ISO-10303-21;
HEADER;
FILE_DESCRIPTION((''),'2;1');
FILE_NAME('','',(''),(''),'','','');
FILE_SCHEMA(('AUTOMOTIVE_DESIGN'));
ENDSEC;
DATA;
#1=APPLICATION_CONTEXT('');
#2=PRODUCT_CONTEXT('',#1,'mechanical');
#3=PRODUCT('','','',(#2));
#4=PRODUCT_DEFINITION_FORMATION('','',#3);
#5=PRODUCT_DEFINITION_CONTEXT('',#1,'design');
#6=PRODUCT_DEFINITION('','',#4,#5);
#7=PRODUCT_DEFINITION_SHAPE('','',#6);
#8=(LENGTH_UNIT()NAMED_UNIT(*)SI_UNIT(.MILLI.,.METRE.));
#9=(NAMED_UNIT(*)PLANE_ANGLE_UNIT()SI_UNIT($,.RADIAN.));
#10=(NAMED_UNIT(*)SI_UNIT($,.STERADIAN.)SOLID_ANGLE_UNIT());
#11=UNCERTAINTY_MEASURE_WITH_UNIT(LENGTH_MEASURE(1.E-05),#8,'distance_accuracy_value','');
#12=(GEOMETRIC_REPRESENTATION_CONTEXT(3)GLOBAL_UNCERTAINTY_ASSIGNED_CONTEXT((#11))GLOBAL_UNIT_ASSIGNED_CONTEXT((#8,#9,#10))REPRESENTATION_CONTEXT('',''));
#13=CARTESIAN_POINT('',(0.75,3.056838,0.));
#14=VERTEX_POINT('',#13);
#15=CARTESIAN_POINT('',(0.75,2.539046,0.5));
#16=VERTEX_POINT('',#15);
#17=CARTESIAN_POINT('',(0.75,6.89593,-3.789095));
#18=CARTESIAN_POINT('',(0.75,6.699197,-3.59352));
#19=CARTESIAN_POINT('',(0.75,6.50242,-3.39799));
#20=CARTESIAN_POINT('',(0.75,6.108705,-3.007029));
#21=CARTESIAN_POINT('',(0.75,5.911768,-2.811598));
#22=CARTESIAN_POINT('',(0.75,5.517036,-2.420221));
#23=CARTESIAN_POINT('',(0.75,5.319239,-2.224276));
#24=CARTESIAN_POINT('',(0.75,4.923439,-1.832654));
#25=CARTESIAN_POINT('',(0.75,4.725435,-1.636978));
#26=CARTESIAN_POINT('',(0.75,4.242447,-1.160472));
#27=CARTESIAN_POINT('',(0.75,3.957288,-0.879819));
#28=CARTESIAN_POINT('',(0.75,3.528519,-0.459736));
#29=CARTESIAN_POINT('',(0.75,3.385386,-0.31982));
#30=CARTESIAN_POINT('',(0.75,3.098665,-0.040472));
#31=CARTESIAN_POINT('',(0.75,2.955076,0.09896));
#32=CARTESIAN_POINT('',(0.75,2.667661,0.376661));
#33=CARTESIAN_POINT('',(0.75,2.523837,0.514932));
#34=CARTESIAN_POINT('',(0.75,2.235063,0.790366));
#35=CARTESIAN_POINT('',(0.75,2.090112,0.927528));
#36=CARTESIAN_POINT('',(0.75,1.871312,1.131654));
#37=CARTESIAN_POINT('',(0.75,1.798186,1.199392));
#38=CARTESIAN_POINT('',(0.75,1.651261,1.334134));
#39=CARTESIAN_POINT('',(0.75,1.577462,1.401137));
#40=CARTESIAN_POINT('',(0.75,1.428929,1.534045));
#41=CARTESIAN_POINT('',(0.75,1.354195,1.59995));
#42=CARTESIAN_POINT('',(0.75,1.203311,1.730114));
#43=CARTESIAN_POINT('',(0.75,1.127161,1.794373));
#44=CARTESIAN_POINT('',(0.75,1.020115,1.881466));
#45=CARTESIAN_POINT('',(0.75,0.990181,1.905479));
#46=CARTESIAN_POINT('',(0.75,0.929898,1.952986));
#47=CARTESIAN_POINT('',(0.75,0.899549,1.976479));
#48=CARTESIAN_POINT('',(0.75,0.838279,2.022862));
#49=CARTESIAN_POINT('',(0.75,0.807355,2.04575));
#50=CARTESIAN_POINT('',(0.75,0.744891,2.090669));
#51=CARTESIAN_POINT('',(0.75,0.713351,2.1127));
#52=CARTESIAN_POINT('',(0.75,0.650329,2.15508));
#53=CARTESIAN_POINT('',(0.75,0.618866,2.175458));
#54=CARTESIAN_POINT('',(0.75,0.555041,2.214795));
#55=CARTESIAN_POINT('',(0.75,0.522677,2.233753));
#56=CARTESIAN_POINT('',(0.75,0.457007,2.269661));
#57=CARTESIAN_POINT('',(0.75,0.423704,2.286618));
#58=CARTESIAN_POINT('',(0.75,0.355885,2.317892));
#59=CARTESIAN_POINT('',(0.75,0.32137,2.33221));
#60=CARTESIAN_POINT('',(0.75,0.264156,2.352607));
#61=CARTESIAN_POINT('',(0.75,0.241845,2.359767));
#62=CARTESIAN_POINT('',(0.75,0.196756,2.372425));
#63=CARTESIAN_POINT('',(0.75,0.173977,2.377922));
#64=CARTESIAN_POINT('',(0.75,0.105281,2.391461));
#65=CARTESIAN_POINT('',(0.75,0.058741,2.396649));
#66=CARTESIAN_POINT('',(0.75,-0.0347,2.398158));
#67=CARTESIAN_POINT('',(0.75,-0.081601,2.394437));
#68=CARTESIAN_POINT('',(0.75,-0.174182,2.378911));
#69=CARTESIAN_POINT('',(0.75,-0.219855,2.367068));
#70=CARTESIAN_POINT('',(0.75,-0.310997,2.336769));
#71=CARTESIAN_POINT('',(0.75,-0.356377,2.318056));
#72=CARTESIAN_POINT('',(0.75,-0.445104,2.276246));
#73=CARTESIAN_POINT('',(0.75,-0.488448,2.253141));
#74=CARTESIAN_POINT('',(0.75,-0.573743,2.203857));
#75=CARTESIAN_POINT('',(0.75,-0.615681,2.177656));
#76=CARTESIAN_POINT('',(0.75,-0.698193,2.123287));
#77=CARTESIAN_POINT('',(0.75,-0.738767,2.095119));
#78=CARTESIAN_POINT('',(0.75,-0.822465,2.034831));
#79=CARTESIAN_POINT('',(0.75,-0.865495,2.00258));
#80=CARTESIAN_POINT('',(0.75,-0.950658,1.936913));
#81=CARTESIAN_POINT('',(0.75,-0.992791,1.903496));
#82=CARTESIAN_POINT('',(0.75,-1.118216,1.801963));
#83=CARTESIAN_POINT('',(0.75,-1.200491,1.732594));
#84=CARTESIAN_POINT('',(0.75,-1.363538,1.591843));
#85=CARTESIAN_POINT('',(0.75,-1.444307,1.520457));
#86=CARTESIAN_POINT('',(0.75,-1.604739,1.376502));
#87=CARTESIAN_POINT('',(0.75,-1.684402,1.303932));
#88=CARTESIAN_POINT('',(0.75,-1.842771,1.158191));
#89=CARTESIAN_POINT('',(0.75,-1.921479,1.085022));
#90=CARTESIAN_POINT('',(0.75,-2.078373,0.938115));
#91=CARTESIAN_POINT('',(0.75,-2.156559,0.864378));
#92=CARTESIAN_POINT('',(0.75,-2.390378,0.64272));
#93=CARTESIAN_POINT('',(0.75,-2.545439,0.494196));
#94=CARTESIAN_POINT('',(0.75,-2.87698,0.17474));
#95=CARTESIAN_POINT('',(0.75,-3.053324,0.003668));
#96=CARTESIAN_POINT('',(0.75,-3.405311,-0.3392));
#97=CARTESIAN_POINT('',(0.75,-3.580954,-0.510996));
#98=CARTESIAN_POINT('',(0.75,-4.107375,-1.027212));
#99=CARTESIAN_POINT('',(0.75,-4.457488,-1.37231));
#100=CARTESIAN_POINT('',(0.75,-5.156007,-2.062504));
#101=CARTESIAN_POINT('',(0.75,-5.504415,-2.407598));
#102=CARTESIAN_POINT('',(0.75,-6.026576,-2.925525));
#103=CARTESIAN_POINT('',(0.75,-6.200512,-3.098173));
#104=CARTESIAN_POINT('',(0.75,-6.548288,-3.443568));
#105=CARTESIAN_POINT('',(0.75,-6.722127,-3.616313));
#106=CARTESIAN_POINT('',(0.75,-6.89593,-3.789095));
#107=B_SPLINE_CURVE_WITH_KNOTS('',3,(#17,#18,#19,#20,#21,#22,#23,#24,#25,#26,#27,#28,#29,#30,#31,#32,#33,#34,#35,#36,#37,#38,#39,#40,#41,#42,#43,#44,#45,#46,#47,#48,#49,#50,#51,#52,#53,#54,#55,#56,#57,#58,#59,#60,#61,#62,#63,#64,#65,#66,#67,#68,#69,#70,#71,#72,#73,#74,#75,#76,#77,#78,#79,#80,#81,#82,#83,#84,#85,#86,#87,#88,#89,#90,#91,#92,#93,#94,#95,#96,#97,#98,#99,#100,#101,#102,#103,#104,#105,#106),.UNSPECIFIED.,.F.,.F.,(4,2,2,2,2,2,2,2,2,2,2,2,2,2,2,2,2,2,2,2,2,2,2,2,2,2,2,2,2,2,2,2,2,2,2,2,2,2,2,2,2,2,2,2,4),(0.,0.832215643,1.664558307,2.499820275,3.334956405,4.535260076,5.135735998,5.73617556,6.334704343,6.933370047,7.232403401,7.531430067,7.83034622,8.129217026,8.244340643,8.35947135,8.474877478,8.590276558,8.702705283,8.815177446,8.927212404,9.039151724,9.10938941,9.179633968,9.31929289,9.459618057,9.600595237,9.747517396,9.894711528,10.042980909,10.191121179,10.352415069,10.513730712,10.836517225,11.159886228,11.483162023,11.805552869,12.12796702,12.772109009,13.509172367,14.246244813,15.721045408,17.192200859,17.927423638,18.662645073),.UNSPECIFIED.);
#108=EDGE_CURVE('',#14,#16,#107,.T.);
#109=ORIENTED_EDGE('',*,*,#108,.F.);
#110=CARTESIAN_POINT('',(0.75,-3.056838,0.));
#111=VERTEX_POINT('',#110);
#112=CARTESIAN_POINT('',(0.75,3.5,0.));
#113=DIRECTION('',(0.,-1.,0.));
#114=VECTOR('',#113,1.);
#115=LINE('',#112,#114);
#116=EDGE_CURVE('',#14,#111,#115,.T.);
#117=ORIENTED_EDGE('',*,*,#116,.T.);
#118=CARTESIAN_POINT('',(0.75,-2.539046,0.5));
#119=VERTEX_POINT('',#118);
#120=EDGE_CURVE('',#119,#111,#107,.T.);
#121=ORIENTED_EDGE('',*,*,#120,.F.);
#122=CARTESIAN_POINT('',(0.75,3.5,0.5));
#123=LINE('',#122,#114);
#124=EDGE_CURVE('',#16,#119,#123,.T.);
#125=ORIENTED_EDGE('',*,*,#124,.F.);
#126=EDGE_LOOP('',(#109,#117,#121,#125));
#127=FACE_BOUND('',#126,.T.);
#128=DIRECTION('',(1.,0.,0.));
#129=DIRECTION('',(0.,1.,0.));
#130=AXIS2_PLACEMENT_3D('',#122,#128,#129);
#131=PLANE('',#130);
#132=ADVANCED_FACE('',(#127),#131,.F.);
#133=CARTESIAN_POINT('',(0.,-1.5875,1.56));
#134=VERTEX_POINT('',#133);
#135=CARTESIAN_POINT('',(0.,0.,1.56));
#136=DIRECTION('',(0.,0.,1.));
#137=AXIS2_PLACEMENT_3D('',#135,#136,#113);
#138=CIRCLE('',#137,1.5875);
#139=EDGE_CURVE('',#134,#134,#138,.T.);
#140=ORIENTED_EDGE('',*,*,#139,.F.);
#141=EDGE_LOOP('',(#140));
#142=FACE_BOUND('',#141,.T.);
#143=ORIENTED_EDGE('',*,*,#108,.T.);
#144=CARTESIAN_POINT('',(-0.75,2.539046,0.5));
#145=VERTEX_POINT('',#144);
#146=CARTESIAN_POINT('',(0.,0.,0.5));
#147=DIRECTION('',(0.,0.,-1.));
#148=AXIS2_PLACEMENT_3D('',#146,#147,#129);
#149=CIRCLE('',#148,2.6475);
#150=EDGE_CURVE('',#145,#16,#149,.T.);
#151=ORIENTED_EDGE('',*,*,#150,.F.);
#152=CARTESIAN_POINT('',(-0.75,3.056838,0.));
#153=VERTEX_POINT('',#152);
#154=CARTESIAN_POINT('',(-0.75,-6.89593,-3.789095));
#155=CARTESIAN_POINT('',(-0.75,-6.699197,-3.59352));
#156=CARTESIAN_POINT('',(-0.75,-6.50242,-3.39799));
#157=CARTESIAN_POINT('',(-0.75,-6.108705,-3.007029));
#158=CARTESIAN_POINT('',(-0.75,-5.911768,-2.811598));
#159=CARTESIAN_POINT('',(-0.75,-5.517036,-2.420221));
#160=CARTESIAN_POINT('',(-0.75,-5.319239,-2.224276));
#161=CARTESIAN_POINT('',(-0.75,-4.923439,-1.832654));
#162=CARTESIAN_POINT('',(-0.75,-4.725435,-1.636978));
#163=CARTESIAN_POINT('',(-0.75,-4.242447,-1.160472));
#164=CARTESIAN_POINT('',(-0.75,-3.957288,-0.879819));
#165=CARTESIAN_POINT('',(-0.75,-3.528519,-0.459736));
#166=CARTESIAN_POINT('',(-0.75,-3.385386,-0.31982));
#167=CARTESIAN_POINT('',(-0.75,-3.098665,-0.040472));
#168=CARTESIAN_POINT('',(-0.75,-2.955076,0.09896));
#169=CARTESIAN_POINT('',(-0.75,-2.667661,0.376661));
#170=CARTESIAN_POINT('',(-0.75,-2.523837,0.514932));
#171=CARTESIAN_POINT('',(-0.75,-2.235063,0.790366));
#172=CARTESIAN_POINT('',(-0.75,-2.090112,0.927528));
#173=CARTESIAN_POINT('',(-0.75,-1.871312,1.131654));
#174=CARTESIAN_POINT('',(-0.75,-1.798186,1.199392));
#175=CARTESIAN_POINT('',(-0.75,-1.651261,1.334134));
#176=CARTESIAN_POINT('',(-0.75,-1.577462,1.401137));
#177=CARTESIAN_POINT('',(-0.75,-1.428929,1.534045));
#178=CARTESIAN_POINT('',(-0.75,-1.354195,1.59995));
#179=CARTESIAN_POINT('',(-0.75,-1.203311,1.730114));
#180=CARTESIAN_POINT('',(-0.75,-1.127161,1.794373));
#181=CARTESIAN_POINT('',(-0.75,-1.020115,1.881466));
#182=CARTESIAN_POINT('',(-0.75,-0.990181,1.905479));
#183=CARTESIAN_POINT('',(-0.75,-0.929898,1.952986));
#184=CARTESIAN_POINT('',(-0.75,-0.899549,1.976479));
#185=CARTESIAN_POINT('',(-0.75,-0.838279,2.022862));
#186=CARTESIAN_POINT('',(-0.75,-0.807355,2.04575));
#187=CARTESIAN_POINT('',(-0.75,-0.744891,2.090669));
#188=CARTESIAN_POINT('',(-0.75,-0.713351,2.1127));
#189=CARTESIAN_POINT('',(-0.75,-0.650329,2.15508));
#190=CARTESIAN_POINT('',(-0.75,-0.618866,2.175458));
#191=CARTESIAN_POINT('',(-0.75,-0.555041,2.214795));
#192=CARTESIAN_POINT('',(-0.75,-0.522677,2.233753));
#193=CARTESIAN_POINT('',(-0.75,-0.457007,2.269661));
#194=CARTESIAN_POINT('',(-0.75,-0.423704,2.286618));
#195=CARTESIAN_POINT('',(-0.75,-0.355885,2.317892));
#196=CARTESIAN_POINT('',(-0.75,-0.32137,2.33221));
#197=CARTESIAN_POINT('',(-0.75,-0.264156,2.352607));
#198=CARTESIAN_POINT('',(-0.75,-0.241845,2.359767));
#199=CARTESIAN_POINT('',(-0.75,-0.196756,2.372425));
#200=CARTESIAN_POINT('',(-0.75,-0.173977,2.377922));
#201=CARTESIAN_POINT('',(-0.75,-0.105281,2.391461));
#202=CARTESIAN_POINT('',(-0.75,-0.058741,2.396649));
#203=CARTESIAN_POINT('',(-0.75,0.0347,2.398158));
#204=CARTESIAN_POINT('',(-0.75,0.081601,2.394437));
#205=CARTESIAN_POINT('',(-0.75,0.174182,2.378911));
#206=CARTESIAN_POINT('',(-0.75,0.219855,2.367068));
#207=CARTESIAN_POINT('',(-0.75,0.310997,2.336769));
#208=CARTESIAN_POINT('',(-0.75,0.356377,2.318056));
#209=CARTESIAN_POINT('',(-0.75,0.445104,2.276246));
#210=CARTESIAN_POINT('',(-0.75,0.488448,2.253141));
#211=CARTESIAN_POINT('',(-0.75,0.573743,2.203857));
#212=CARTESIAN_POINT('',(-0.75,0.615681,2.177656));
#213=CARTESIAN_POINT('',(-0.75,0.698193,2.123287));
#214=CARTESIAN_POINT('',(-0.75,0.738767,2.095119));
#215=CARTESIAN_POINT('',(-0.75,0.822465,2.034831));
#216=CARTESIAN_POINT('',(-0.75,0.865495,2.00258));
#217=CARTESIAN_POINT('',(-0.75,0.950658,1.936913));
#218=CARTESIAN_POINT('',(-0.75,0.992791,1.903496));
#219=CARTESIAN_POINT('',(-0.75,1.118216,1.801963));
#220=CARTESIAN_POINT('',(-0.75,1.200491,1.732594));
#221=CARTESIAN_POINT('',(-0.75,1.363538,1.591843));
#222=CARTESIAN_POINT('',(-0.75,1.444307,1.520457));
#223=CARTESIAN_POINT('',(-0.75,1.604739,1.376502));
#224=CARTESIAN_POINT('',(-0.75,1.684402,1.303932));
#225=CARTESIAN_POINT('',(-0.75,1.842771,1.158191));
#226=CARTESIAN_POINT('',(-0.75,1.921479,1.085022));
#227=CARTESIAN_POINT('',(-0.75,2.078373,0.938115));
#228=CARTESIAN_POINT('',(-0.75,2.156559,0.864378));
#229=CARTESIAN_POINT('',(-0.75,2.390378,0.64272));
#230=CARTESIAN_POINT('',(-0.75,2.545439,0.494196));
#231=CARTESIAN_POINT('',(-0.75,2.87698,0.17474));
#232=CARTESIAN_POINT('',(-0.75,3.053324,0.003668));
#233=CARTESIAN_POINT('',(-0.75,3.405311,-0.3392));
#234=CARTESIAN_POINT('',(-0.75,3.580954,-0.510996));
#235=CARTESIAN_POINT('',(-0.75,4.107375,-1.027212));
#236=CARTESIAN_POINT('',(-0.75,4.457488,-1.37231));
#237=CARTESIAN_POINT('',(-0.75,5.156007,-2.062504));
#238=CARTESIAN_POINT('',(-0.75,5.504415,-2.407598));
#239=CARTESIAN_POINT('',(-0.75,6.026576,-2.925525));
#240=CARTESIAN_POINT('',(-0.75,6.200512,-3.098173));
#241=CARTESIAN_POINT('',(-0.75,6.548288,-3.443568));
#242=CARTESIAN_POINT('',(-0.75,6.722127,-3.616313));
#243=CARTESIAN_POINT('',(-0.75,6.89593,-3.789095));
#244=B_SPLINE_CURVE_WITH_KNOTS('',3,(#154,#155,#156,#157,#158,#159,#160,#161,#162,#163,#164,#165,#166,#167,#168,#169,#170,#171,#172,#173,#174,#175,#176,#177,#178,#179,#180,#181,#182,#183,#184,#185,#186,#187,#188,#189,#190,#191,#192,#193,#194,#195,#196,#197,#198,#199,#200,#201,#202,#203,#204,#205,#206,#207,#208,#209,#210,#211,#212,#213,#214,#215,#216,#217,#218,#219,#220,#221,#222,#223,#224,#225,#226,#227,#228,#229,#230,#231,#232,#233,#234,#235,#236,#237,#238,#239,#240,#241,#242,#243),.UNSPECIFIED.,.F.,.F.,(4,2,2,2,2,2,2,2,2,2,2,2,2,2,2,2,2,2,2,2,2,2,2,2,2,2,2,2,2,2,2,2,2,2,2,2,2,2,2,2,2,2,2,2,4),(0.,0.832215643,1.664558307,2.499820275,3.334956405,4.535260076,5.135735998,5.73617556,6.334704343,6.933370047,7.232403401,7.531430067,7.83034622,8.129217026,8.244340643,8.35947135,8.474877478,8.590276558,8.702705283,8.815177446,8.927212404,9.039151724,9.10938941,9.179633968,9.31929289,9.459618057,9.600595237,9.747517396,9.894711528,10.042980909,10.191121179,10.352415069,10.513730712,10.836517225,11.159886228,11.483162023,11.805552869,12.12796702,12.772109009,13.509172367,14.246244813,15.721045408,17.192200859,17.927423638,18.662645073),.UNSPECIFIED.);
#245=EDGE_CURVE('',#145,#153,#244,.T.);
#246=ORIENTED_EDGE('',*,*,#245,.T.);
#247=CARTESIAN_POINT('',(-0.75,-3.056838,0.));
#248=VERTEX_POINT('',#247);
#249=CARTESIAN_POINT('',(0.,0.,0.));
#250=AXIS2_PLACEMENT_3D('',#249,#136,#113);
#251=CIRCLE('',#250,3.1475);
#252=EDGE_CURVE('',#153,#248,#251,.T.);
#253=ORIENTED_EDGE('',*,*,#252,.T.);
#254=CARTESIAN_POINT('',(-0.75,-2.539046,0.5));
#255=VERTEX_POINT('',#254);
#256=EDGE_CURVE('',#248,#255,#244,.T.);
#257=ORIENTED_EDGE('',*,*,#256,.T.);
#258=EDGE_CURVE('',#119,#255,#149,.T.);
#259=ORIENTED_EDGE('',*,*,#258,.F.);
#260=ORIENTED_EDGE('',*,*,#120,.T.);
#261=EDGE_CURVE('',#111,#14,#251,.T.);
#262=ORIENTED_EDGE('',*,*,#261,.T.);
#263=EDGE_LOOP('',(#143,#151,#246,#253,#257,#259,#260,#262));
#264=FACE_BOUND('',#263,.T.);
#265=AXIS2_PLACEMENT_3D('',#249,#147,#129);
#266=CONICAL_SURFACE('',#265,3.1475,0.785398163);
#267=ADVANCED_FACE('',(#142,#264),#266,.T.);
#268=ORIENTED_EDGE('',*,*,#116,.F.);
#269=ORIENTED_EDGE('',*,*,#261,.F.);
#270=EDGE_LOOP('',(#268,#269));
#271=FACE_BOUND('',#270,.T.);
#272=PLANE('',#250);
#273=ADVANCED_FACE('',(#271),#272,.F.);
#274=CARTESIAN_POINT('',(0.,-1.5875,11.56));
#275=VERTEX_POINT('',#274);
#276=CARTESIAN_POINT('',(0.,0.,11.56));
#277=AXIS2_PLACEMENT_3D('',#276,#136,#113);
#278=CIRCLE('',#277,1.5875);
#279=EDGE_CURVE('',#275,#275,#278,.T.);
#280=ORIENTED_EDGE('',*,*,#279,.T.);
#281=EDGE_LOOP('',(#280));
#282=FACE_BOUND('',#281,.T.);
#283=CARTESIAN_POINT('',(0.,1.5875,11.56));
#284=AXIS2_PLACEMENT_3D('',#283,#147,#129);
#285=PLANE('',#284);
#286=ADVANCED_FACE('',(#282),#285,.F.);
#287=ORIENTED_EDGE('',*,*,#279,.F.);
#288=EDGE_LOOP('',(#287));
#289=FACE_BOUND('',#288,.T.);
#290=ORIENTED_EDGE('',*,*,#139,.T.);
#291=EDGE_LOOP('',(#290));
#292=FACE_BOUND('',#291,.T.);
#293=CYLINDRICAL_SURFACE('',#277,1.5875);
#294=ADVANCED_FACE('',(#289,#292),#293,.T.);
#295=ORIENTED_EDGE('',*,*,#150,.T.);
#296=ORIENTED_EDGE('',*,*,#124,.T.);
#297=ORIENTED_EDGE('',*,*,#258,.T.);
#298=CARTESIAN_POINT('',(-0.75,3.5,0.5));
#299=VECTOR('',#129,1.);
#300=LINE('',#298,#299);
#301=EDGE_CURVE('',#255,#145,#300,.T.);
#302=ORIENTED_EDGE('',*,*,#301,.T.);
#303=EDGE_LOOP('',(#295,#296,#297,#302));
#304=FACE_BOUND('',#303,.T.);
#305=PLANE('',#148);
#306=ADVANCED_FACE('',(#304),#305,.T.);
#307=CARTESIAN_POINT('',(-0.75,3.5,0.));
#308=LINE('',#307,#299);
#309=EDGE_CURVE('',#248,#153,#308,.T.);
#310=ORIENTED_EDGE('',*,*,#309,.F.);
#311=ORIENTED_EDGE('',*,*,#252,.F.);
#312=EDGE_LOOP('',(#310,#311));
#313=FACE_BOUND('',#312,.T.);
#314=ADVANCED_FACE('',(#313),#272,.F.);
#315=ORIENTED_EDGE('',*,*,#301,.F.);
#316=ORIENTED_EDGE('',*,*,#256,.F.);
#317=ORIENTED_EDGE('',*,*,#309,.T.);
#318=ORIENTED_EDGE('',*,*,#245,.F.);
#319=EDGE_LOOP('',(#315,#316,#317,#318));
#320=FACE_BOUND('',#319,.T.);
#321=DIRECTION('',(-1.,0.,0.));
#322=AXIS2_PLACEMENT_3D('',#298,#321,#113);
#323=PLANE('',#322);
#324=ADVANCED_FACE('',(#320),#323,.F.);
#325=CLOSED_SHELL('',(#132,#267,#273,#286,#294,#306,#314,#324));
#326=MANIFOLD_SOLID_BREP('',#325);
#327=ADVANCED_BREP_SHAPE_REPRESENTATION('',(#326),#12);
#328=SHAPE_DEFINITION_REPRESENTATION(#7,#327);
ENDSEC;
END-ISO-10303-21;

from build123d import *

# Parameters (mm, degrees)
ESBO_O2_W             = 1.5
ESBO_O2_H             = 7
CORTE_EXTRUS_O1_DEPTH = 0.5


with BuildPart() as part:
    # Esboço1 → Revolução1 (revolve)
    with BuildSketch(Plane(origin=(0, 0, 0), x_dir=(0, 0, -1), z_dir=(1, 0, 0)), mode=Mode.PRIVATE) as revolu_o1_sk:
        Polygon((0, 0), (0, 3.1475), (-1.56, 1.5875), (-11.56, 1.5875), (-11.56, 0), align=None)
    revolve(revolu_o1_sk.sketch.rotate(Axis((0, 0, 11.56), (0, 0, -1)), 180), axis=Axis((0, 0, 11.56), (0, 0, -1)))

    # Esboço2 → Corte-extrusão1 (cut)
    with BuildSketch(Plane(origin=(0, 0, 0), x_dir=(-1, 0, 0), z_dir=(0, 0, -1))):
        Rectangle(ESBO_O2_W, ESBO_O2_H)
    extrude(amount=-CORTE_EXTRUS_O1_DEPTH, mode=Mode.SUBTRACT)


solid = part.part
